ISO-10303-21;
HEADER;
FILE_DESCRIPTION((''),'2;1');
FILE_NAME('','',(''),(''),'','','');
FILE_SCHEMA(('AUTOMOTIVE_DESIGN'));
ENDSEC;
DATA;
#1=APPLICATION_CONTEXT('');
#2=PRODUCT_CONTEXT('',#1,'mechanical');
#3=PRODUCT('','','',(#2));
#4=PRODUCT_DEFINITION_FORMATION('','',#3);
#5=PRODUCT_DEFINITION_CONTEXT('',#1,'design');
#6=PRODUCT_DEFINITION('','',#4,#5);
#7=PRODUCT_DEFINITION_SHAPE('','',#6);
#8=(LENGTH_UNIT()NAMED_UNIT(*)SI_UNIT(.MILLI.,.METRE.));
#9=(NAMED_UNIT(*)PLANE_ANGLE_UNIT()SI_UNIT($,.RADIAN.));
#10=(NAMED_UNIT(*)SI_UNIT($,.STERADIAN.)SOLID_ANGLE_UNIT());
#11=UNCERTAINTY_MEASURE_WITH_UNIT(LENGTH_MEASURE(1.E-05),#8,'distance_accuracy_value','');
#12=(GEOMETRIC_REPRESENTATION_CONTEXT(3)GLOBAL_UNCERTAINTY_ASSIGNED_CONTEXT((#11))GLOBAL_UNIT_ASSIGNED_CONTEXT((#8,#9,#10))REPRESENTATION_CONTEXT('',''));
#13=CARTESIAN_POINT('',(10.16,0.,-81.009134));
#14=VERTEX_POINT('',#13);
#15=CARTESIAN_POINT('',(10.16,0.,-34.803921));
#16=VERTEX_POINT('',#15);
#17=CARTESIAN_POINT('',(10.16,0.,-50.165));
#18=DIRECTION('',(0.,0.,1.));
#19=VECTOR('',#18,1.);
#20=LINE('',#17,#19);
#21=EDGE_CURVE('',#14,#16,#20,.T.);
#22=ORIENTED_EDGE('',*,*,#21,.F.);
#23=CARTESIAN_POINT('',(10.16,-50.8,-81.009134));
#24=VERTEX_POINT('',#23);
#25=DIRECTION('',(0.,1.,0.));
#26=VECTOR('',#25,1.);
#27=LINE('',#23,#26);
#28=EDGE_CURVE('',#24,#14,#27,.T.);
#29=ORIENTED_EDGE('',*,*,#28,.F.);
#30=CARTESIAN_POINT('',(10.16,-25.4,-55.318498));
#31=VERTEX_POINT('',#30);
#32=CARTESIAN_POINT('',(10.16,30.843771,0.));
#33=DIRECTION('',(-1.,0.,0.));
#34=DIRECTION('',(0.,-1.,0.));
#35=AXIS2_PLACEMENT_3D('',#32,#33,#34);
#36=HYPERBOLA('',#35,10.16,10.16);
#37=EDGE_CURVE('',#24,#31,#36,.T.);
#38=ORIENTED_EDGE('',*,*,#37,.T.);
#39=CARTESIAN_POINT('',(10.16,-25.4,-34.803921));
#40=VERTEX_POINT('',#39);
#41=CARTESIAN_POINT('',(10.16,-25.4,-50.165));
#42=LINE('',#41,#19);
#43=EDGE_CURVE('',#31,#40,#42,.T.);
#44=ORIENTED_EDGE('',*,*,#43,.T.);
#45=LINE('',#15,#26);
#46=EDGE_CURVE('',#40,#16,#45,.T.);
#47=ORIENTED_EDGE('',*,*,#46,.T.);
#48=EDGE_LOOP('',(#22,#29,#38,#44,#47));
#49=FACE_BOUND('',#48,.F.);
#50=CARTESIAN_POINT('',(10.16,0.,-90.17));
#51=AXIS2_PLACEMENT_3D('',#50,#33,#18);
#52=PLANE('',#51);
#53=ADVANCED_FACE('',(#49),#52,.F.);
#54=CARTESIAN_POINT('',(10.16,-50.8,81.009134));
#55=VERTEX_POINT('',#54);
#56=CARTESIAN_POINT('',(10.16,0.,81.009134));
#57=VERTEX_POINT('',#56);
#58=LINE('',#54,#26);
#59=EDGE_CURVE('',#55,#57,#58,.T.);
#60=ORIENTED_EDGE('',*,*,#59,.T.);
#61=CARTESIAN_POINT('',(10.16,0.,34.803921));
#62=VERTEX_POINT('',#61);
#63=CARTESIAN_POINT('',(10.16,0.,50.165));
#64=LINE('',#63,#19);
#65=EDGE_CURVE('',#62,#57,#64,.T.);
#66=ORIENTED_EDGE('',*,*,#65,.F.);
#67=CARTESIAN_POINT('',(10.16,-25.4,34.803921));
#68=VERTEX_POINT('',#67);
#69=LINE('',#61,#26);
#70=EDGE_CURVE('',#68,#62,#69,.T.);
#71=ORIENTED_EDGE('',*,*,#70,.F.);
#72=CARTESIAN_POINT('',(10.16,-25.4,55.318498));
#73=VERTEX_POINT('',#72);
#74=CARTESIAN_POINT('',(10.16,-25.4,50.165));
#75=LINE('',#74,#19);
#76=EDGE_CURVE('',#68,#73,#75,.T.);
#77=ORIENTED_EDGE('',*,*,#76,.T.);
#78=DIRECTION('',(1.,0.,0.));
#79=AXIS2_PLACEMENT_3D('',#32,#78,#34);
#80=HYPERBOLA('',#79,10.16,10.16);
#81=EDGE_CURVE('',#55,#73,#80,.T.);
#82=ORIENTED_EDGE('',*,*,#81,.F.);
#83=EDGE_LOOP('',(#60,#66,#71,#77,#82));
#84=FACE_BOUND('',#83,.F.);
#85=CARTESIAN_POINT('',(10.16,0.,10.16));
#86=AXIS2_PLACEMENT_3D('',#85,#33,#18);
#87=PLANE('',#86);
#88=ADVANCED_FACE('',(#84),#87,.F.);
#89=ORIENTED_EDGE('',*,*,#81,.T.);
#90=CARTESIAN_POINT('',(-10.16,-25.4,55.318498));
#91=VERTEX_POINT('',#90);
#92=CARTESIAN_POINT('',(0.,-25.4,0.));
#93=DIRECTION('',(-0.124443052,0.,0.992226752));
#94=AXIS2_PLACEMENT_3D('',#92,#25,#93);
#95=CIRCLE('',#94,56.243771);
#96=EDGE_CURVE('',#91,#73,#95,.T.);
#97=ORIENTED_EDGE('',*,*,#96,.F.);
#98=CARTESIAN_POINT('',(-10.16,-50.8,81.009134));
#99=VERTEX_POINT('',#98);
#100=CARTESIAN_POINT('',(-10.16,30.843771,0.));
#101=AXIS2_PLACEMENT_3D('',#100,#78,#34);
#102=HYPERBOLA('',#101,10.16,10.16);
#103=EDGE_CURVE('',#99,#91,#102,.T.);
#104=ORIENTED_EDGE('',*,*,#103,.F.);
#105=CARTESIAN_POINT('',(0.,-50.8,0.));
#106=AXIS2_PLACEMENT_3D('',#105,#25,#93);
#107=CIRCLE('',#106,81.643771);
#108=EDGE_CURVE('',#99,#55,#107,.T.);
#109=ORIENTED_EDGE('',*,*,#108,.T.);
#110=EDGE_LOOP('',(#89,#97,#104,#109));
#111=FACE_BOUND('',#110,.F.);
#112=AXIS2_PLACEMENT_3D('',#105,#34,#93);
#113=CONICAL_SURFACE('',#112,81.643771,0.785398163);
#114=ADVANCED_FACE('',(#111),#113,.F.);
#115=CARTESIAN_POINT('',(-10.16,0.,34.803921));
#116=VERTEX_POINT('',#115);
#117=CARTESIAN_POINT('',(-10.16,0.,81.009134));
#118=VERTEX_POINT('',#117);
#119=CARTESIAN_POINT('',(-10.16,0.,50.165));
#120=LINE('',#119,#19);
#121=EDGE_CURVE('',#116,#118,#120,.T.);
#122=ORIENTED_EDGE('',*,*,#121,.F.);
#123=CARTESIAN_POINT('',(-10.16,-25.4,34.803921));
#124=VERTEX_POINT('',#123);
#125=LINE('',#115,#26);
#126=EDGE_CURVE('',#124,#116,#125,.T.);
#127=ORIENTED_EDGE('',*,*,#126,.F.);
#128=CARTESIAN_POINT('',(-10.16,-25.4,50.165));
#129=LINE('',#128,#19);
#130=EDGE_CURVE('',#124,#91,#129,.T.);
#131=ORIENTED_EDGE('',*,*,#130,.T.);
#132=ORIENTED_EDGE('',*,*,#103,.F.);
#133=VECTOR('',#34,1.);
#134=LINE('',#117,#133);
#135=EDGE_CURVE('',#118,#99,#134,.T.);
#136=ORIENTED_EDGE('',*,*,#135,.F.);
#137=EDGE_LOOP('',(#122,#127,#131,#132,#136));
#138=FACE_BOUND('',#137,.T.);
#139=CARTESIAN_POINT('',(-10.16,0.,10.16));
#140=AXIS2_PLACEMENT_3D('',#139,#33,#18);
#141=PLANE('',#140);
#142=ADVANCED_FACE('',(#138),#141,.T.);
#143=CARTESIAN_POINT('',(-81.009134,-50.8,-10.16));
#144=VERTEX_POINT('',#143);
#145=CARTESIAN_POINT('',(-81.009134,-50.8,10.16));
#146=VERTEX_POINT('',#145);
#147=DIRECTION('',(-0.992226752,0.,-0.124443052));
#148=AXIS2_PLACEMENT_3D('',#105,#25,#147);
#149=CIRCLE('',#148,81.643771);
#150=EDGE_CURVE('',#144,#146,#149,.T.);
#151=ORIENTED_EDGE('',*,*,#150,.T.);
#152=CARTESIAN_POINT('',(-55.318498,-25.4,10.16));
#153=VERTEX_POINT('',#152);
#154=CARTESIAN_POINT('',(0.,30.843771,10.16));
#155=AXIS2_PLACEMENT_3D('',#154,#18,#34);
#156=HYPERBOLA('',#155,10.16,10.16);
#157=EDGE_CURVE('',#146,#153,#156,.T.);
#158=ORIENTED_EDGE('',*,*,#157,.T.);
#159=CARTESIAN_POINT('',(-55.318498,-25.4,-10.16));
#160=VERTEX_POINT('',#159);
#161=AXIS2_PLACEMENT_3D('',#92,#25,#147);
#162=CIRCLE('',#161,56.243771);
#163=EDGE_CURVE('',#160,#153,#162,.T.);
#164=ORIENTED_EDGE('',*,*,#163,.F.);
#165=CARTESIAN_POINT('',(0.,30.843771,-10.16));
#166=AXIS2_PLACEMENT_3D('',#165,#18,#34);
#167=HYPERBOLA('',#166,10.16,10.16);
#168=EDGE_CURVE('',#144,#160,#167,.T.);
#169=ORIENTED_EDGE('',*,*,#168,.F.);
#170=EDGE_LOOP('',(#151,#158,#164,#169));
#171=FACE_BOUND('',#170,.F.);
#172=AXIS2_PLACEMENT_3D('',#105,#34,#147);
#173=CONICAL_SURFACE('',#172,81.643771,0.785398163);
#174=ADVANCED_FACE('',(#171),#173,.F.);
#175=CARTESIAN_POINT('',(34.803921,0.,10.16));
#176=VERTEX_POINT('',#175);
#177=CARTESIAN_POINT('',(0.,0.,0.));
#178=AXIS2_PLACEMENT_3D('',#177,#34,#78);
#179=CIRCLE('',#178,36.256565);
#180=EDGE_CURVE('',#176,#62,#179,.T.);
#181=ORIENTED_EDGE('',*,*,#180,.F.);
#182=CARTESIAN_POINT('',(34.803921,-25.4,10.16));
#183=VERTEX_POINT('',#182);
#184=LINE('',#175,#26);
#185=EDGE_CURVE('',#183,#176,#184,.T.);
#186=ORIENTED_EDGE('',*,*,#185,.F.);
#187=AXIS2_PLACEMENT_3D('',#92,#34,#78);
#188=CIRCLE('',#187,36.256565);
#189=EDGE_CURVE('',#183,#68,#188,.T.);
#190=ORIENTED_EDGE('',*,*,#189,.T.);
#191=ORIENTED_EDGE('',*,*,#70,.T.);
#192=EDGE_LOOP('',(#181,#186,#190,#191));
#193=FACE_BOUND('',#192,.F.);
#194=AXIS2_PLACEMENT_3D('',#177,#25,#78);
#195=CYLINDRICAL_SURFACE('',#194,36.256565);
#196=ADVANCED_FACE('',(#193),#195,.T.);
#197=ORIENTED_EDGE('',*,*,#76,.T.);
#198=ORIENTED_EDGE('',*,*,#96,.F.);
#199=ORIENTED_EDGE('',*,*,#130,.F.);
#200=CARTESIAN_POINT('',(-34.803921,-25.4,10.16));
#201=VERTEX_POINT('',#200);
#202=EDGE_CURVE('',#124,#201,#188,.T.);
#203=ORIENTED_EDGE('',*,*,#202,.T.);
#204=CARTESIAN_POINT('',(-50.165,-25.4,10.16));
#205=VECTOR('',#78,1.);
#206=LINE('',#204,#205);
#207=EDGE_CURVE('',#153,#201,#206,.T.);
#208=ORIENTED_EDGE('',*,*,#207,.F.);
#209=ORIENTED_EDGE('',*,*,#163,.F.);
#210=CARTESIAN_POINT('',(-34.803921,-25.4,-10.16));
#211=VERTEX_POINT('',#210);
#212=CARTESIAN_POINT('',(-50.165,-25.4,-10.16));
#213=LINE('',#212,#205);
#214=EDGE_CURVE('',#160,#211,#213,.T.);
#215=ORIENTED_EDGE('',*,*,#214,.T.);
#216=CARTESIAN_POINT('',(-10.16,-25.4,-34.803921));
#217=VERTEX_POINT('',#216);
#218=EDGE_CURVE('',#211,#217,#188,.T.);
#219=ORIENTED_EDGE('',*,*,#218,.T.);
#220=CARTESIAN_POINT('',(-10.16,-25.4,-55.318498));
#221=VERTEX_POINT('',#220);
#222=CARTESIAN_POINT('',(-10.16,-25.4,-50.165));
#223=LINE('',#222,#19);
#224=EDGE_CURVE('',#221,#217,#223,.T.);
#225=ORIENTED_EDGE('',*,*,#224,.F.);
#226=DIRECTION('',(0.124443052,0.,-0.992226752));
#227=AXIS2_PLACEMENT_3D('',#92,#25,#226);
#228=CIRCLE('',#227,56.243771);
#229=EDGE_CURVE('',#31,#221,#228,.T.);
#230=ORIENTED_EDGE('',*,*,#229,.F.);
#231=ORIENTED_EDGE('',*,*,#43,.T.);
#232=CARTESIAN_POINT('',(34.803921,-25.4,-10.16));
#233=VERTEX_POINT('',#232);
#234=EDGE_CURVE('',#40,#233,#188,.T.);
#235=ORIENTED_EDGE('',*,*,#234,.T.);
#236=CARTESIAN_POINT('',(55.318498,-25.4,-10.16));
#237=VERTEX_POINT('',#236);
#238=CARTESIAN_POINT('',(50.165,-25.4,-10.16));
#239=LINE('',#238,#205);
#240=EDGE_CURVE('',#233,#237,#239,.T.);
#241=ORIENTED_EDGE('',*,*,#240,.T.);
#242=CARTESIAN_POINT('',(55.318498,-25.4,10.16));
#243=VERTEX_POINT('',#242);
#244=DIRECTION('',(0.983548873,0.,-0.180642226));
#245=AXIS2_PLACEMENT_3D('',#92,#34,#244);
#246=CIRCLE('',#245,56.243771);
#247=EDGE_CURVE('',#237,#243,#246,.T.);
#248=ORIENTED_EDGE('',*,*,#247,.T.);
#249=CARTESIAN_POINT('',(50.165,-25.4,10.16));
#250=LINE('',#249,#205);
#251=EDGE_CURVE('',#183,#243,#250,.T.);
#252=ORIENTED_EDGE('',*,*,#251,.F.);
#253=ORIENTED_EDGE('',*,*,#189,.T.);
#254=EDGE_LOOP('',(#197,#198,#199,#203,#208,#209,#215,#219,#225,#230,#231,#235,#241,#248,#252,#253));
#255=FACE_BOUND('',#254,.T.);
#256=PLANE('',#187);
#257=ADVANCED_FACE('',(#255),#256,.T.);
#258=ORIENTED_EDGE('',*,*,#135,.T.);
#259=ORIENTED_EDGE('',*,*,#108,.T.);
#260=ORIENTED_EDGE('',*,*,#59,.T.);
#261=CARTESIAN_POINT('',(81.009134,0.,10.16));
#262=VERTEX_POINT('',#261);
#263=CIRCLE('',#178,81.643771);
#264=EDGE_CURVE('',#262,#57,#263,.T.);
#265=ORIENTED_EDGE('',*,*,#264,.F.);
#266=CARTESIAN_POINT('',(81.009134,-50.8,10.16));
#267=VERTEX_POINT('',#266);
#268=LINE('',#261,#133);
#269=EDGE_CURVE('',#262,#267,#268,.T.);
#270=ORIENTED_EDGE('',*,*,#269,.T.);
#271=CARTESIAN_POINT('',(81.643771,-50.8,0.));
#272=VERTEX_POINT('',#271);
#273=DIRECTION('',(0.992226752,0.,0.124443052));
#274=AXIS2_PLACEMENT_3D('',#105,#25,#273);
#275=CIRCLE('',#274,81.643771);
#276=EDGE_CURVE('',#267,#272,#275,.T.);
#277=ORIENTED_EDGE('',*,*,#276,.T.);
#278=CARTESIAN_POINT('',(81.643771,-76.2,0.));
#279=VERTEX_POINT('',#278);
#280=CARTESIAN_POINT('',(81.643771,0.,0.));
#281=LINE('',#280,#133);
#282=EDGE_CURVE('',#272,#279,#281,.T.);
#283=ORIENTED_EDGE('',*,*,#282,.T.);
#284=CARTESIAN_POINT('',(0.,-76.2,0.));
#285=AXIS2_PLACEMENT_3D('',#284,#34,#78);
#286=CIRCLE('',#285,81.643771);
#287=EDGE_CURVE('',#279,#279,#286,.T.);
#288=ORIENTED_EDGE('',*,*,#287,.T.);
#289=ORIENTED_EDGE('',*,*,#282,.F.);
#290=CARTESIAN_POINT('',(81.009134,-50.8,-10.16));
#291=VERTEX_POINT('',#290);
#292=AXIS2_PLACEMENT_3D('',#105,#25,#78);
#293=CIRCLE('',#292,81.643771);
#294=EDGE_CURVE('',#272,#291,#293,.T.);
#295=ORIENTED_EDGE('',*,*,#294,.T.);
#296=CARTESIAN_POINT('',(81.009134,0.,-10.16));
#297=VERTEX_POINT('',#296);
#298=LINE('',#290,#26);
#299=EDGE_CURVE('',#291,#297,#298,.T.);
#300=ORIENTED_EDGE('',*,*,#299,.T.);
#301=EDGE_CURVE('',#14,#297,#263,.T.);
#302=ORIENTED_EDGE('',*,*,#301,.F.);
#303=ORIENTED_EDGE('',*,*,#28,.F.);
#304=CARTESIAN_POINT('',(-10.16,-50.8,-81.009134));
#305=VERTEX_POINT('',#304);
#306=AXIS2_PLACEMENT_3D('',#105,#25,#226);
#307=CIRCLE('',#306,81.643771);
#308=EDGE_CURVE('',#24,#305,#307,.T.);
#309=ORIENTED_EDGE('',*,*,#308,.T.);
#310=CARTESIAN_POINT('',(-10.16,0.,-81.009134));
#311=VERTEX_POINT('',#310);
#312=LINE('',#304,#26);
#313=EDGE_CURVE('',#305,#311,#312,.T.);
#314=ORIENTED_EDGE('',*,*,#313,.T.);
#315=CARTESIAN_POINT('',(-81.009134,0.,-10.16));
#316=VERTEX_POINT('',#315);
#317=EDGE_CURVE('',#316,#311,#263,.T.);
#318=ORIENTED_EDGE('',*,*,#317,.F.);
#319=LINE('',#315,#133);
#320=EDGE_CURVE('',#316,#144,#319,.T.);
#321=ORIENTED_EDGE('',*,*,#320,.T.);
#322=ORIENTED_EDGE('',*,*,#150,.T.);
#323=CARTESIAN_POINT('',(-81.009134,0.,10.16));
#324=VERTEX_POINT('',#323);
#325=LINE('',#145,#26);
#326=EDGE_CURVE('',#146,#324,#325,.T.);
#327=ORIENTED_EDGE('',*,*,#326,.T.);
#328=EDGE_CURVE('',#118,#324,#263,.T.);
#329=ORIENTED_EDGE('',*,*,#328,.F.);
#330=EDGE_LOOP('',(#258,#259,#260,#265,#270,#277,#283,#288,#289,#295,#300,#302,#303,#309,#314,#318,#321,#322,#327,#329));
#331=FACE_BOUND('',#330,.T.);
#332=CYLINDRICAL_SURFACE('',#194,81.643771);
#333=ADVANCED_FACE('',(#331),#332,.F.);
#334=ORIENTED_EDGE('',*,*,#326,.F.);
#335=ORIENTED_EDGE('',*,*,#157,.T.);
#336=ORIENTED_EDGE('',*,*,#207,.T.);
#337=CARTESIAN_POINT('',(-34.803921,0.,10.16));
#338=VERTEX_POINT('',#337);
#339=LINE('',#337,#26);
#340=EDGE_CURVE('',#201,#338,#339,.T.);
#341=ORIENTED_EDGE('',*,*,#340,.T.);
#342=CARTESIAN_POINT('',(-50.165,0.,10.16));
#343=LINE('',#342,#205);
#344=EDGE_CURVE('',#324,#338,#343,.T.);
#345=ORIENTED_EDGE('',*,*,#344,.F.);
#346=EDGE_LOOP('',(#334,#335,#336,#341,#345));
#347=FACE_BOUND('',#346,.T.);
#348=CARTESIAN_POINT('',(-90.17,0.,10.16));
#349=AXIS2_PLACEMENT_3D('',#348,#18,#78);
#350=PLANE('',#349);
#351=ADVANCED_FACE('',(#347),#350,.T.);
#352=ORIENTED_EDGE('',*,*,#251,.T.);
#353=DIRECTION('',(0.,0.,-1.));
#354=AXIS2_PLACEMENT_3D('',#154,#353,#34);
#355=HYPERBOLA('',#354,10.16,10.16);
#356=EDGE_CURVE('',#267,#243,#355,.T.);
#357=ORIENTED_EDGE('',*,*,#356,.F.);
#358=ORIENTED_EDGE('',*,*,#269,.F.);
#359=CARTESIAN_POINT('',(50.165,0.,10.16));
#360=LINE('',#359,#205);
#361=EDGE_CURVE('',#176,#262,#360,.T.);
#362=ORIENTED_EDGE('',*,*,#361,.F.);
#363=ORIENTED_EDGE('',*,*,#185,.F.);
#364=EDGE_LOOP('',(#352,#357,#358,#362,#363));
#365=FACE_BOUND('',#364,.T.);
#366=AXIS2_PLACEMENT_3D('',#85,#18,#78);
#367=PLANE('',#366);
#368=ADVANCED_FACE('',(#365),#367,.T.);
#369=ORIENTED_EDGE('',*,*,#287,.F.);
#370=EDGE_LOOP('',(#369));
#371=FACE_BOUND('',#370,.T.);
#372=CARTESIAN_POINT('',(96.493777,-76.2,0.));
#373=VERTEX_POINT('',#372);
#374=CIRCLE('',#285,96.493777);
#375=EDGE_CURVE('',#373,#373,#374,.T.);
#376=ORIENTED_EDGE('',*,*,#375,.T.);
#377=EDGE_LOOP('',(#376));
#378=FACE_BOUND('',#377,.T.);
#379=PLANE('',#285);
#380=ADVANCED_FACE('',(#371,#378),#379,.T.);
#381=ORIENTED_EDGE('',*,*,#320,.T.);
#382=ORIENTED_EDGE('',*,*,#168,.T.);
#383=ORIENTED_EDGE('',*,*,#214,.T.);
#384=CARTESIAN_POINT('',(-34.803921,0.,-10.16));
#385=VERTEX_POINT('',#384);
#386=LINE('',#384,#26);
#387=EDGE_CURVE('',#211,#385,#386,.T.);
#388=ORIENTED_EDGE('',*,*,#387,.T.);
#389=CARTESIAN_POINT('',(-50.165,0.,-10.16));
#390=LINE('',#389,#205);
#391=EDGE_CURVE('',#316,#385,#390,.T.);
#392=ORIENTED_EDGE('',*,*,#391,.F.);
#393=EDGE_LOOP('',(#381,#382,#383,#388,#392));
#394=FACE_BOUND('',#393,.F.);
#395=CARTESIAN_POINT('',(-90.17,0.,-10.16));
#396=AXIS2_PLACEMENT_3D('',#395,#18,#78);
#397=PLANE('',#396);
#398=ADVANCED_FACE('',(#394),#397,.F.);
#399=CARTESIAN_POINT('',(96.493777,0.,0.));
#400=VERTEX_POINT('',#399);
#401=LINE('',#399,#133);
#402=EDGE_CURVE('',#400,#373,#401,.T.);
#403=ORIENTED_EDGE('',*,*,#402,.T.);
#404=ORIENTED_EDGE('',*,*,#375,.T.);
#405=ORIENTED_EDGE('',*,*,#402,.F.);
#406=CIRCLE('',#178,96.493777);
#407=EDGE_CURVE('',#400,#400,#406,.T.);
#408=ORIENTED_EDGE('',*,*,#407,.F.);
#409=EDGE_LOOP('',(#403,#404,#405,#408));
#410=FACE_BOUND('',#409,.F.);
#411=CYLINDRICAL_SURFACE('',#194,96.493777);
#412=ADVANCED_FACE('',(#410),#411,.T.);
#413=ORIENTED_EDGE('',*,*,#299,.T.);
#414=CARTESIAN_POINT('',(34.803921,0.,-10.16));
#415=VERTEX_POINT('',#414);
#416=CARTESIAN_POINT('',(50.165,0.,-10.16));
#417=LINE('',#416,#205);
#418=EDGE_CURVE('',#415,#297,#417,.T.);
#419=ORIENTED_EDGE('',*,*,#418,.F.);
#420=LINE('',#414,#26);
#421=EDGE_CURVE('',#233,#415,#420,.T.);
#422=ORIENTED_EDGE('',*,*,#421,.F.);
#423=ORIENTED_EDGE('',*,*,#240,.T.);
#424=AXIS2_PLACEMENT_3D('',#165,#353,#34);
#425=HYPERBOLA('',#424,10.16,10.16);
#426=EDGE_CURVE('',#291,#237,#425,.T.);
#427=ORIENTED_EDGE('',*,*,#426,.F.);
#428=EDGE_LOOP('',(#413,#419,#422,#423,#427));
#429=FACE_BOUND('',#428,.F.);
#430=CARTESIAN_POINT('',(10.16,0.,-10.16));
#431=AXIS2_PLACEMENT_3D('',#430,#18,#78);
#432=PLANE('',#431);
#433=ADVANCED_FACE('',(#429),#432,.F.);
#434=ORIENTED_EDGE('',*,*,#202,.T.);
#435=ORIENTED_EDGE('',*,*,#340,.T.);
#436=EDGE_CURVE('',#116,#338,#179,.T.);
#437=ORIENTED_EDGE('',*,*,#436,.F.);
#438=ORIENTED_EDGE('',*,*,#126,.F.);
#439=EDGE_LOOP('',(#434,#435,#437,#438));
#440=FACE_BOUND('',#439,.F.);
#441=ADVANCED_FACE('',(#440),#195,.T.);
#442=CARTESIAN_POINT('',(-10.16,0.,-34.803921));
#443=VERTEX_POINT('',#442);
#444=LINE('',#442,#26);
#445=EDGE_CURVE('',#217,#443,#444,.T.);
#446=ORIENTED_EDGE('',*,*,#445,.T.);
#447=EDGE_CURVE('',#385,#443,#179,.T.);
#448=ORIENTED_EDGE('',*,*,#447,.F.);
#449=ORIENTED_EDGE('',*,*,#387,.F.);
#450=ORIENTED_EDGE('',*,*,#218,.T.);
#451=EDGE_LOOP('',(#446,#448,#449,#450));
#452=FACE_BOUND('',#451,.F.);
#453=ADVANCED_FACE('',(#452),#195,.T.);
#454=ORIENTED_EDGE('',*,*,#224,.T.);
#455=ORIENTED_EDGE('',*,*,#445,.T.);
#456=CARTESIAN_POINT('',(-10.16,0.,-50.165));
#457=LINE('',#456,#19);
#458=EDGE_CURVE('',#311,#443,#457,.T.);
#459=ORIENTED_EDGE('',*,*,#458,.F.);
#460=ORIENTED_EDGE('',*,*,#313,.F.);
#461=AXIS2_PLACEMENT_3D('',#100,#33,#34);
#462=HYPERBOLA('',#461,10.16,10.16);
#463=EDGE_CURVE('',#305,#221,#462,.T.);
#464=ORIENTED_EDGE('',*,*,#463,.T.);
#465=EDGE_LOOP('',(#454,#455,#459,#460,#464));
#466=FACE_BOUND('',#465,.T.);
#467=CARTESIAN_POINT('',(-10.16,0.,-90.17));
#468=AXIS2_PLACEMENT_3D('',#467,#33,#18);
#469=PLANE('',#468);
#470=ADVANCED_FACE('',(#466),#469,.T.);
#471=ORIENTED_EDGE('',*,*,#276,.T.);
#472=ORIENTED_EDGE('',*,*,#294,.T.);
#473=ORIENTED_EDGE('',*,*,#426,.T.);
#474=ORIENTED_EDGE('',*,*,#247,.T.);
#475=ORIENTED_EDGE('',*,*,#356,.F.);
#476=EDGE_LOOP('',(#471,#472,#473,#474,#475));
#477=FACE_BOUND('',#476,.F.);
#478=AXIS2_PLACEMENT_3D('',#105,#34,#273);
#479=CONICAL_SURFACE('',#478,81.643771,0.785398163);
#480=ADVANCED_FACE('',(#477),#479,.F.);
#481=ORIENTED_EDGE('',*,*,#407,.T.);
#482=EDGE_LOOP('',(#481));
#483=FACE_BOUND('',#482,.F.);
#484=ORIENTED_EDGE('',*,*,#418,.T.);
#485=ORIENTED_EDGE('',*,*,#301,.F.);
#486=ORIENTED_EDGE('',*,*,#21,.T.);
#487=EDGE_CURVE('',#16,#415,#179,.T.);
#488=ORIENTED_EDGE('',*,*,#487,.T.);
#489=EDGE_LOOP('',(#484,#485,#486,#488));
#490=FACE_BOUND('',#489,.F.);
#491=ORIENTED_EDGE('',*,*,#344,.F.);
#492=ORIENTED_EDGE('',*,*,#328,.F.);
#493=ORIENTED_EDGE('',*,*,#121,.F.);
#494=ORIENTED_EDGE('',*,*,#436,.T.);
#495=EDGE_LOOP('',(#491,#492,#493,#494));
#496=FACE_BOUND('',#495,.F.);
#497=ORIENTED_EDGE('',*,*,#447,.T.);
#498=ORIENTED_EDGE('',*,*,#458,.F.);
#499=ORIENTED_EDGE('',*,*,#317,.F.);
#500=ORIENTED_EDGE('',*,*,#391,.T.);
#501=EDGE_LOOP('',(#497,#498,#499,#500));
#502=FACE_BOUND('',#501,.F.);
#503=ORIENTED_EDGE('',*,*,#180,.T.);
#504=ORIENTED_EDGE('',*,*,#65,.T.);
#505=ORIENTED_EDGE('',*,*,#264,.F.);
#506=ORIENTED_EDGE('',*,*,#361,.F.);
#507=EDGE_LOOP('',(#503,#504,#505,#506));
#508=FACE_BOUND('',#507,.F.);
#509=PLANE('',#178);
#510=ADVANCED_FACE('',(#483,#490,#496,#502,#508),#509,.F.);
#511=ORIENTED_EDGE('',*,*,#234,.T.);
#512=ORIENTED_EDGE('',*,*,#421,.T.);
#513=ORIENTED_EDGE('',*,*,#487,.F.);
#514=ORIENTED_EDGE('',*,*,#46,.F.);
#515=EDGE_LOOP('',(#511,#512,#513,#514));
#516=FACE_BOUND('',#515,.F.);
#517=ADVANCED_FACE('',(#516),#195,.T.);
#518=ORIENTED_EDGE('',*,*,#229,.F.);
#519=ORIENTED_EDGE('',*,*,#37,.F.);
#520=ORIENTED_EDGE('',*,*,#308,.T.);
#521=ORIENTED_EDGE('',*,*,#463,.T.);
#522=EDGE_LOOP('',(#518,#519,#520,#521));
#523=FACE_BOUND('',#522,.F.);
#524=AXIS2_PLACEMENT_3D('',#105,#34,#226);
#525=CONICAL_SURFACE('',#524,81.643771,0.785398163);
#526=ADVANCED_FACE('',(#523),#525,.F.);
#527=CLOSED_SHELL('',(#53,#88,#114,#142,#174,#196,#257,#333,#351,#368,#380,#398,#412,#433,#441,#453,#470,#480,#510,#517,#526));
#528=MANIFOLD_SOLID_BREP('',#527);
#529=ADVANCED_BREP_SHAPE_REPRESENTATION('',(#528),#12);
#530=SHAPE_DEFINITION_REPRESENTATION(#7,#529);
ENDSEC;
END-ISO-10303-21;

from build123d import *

# Parameters (mm, degrees)
F0_R     = 96.493777
F0_R_2   = 81.643771
F1_DEPTH = 76.2
F2_W     = 80.01
F2_H     = 20.32
F2_W_2   = 20.32
F2_H_2   = 80.01
F3_DEPTH = 25.4
F4_R     = 36.256565
F5_DEPTH = 25.4
F6_SIZE  = 25.4


with BuildPart() as f1:
    # F0 (on Front) → F1 (new body)
    with BuildSketch(Plane.XZ):
        Circle(F0_R)
        Circle(F0_R_2, mode=Mode.SUBTRACT)
    extrude(amount=F1_DEPTH)

    # F2 (on Front) → F3 (join)
    with BuildSketch(Plane.XZ):
        with Locations((-50.165, 0)):
            Rectangle(F2_W, F2_H)
        with Locations((0, -50.165)):
            Rectangle(F2_W_2, F2_H_2)
        with Locations((50.165, 0)):
            Rectangle(F2_W, F2_H)
        with Locations((0, 50.165)):
            Rectangle(F2_W_2, F2_H_2)
    extrude(amount=F3_DEPTH)

    # F4 (on Front) → F5 (join)
    with BuildSketch(Plane.XZ):
        Circle(F4_R)
    extrude(amount=F5_DEPTH)

    # F6
    f6_edges = [f1.edges().sort_by_distance(p)[0] for p in [
        (81.484957, -25.4, 5.089901),
        (0, -25.4, 81.643771),
        (-81.643771, -25.4, 0),
        (0, -25.4, -81.643771),
        (81.484957, -25.4, -5.089901),
    ]]
    chamfer(f6_edges, length=F6_SIZE)


solid = f1.part
